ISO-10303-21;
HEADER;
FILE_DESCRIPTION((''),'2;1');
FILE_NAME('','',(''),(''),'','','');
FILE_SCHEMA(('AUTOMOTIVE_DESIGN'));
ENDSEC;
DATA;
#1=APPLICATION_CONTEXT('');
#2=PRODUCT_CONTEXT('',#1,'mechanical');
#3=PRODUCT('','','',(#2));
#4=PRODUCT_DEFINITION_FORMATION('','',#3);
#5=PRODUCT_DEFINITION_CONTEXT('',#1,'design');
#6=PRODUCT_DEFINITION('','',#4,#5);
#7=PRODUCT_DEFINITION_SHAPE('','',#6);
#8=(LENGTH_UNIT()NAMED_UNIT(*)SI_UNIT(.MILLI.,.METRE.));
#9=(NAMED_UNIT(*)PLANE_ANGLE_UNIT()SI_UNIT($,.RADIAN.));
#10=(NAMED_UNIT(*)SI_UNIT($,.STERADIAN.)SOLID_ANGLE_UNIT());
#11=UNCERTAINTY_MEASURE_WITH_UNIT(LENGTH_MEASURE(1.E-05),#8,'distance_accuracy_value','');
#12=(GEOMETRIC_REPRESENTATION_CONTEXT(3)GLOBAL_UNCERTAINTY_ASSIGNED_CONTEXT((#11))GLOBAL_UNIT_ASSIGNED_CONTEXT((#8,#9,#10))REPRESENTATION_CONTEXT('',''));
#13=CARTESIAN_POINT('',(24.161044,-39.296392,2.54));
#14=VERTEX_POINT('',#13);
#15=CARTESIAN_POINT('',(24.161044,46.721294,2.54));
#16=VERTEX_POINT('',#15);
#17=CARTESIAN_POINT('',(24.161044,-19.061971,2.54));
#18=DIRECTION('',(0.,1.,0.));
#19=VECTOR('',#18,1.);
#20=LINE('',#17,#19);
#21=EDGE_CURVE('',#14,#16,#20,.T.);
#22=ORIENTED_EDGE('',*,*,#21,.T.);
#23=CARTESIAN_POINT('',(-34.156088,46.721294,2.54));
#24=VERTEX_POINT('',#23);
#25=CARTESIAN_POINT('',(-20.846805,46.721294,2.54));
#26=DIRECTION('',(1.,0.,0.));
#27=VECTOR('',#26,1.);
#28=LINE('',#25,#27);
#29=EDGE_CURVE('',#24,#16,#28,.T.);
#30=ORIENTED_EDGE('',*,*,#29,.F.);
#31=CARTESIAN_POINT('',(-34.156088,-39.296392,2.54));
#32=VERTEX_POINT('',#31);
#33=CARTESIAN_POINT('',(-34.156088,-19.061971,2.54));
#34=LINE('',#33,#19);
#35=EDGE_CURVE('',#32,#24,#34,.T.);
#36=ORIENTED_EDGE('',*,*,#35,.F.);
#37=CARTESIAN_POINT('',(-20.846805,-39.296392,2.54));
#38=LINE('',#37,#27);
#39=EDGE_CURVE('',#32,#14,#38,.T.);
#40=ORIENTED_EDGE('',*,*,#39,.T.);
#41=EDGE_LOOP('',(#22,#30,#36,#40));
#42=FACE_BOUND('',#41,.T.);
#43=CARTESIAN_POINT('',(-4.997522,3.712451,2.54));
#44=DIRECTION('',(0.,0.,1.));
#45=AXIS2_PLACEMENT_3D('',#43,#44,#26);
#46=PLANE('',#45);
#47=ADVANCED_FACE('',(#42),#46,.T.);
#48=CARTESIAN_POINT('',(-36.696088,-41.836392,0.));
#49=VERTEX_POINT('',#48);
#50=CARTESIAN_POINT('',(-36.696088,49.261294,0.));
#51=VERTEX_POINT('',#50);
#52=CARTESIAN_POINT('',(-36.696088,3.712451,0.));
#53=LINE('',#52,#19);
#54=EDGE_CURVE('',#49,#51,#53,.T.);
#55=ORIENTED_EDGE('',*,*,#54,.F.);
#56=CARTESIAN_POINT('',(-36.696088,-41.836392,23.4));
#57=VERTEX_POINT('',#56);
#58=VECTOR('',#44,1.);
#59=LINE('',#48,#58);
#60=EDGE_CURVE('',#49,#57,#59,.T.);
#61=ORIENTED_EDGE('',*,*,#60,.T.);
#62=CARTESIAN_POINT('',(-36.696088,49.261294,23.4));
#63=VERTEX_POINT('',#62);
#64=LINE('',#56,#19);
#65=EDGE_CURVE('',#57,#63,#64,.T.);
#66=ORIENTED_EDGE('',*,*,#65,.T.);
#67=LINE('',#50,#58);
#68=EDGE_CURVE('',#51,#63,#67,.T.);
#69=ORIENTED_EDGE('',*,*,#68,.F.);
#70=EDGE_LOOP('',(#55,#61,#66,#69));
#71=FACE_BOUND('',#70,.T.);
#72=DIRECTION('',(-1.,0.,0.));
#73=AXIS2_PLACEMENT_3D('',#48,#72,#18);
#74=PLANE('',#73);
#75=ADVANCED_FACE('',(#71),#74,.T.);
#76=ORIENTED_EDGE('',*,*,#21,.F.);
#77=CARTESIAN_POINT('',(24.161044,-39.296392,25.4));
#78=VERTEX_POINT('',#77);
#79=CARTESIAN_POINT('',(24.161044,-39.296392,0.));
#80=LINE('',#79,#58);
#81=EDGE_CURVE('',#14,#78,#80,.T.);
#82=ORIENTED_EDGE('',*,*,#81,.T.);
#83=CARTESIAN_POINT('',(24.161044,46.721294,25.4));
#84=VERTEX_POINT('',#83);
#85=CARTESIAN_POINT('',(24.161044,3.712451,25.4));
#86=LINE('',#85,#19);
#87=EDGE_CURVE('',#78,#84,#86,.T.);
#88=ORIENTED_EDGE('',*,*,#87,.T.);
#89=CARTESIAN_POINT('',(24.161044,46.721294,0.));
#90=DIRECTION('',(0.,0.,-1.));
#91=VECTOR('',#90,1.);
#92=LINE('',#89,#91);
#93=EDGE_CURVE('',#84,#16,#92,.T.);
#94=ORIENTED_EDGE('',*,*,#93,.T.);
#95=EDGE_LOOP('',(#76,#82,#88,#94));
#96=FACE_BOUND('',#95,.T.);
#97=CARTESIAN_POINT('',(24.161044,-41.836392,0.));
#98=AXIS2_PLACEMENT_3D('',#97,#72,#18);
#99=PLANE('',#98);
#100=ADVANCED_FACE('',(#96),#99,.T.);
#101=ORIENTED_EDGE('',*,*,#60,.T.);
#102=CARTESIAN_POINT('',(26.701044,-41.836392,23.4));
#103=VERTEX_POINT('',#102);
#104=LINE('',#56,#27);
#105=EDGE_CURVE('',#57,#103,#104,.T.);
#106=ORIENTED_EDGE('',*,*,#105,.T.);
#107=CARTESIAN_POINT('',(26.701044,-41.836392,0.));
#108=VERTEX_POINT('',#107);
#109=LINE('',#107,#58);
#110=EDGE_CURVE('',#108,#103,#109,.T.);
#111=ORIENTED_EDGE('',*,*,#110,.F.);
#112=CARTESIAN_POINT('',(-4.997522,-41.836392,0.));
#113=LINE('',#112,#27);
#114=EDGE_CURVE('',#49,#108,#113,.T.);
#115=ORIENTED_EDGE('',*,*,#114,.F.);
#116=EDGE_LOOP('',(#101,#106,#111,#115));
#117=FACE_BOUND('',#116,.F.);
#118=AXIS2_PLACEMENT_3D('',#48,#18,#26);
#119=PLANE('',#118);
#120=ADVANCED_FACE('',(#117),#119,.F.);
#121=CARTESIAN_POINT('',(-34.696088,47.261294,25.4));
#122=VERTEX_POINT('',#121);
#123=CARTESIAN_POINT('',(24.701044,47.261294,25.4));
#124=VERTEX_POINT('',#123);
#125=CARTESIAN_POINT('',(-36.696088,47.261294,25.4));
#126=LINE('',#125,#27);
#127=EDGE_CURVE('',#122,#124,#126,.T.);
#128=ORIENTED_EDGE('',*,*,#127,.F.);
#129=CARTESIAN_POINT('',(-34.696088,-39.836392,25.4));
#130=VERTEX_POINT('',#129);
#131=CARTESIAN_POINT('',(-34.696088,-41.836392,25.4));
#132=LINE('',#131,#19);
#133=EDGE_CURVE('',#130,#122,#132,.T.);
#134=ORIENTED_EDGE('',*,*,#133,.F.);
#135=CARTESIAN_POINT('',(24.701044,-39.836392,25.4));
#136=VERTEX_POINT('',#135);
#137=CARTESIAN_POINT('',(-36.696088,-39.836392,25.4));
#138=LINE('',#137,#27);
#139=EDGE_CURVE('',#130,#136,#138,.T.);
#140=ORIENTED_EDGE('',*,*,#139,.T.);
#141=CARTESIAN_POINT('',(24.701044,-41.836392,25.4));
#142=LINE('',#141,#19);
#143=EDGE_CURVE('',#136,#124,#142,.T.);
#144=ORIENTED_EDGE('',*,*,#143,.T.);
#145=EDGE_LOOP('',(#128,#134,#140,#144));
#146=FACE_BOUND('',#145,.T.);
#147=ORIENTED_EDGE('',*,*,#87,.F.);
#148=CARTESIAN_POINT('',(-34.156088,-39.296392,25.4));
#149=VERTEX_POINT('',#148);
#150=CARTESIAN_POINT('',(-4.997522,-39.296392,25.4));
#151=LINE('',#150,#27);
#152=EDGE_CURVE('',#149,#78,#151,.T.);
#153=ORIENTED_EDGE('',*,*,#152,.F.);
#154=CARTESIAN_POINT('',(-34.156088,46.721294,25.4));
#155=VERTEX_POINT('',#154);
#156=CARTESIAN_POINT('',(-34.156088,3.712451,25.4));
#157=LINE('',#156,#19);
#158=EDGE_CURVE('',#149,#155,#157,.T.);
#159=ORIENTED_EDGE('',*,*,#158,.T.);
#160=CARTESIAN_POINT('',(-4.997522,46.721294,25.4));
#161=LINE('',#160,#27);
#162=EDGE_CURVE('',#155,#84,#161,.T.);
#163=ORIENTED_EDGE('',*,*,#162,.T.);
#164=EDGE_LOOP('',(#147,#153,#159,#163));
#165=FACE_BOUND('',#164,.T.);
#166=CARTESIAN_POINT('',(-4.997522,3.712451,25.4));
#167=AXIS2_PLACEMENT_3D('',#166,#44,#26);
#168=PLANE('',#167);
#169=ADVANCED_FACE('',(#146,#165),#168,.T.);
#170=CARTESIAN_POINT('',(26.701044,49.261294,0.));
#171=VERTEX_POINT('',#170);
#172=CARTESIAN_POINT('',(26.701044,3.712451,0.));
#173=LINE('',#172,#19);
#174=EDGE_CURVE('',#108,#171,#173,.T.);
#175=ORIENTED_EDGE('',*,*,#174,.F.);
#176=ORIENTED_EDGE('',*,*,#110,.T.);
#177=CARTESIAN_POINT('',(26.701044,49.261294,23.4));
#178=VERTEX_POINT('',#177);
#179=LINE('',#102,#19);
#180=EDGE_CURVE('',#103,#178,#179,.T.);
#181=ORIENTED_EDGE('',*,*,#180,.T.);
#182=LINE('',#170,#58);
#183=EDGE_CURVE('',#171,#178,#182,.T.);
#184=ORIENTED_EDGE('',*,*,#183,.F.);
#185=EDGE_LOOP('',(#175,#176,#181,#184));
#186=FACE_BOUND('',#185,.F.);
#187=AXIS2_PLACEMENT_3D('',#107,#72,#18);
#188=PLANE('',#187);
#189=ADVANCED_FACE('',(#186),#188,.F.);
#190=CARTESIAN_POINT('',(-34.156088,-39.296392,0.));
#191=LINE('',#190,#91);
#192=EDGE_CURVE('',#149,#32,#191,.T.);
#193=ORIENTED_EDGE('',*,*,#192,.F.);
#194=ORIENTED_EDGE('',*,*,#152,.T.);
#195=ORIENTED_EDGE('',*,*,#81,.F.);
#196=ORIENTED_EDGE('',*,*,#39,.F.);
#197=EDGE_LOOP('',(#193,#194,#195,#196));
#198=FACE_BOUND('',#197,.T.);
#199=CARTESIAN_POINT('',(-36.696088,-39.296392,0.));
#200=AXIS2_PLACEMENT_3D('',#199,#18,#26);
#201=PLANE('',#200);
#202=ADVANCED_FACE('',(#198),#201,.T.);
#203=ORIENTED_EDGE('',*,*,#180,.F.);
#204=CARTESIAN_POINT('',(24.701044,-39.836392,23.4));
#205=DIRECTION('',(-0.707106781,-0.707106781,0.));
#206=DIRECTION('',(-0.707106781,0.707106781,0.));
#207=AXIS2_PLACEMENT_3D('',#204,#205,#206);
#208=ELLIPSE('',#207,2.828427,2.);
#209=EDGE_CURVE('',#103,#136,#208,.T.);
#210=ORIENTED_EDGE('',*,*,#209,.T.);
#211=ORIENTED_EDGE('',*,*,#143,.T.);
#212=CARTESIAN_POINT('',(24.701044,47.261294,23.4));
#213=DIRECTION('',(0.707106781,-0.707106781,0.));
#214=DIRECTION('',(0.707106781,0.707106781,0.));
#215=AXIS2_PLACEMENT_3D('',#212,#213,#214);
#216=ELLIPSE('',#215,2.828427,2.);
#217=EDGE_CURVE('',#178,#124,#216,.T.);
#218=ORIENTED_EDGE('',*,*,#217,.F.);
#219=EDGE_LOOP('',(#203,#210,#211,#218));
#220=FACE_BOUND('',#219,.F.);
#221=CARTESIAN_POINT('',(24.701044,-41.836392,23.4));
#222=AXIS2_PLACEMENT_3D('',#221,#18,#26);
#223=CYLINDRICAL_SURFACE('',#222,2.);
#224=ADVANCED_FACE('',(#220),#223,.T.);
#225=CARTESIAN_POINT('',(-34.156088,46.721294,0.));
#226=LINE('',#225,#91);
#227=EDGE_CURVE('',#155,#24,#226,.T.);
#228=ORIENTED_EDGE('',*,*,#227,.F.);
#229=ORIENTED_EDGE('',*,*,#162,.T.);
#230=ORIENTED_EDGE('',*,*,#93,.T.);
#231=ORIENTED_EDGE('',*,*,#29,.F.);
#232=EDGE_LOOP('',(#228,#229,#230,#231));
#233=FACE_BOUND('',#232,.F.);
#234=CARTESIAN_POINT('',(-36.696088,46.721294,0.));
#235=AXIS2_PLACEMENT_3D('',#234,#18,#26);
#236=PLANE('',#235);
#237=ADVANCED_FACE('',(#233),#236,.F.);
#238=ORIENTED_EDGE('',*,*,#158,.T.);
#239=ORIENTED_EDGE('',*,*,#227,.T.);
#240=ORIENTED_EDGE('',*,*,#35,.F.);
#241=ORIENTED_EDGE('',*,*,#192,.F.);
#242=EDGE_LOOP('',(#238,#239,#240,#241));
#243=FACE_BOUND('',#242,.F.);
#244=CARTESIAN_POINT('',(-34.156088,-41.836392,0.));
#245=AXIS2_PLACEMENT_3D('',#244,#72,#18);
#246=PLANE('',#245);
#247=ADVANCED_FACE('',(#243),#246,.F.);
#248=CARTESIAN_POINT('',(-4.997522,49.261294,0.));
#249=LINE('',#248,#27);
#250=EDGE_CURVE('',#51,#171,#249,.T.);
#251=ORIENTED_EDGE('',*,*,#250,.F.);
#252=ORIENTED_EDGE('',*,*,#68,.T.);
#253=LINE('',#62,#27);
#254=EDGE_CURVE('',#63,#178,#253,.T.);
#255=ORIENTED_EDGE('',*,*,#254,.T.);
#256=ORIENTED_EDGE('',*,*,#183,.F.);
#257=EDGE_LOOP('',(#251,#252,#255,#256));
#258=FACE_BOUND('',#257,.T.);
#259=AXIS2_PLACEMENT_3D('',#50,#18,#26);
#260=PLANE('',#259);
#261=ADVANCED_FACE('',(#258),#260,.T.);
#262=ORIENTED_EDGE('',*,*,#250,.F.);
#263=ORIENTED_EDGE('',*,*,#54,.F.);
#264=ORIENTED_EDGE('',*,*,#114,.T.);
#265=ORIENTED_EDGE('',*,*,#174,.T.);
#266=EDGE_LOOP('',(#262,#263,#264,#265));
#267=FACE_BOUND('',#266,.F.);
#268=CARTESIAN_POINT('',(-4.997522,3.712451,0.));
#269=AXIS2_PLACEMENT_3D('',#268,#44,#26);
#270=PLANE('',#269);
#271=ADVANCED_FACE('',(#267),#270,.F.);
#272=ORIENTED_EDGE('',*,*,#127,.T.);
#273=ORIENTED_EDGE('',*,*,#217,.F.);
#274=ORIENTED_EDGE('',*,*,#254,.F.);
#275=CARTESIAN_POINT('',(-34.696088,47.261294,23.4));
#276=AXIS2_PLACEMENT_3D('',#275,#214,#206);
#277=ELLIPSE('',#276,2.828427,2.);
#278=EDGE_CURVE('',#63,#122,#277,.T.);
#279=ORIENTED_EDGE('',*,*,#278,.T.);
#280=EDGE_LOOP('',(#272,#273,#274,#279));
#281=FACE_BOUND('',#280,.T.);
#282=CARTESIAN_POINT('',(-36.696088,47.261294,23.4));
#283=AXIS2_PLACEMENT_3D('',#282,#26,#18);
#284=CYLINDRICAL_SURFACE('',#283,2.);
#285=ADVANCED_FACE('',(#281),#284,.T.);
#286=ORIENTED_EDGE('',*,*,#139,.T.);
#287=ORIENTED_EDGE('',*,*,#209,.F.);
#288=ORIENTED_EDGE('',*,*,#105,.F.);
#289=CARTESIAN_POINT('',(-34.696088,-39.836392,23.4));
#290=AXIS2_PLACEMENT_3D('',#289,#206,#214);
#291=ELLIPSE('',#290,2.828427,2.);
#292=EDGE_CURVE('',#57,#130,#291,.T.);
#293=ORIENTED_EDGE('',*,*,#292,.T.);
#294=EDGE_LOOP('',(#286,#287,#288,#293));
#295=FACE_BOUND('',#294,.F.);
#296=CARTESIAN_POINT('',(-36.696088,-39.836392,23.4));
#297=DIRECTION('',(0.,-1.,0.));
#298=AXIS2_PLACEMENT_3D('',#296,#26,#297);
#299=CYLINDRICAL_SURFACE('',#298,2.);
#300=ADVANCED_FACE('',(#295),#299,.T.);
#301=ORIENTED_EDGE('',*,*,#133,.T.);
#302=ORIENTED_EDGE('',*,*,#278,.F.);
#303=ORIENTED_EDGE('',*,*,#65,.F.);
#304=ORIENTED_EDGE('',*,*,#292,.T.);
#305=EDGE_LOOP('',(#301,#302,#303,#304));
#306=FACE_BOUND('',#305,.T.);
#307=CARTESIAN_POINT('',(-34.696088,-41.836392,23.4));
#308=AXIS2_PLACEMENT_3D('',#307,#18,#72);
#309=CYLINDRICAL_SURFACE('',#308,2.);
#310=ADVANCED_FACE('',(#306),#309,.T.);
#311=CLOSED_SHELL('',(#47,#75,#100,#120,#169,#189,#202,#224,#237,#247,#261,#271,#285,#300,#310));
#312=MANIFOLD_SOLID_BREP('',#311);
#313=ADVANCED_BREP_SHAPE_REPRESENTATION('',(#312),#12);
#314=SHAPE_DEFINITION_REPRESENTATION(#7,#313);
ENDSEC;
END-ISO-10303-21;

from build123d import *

# Parameters (mm, degrees)
F0_W     = 63.397132
F0_H     = 91.097686
F1_DEPTH = 25.4
F2_T     = -2.54
F3_R     = 2


with BuildPart() as f1:
    # F0 (on Top) → F1 (new body)
    with BuildSketch(Plane.XY):
        with Locations((-4.997522, 3.712451)):
            Rectangle(F0_W, F0_H)
    extrude(amount=F1_DEPTH)

    # F2
    f2_openings = [f1.faces().sort_by_distance(p)[0] for p in [
        (-4.997522, 3.712451, 25.4),
    ]]
    offset(amount=F2_T, openings=f2_openings)

    # F3
    f3_edges = [f1.edges().sort_by_distance(p)[0] for p in [
        (26.701044, 3.712451, 25.4),
        (-4.997522, -41.836392, 25.4),
        (-36.696088, 3.712451, 25.4),
        (-4.997522, 49.261294, 25.4),
    ]]
    fillet(f3_edges, radius=F3_R)


solid = f1.part
